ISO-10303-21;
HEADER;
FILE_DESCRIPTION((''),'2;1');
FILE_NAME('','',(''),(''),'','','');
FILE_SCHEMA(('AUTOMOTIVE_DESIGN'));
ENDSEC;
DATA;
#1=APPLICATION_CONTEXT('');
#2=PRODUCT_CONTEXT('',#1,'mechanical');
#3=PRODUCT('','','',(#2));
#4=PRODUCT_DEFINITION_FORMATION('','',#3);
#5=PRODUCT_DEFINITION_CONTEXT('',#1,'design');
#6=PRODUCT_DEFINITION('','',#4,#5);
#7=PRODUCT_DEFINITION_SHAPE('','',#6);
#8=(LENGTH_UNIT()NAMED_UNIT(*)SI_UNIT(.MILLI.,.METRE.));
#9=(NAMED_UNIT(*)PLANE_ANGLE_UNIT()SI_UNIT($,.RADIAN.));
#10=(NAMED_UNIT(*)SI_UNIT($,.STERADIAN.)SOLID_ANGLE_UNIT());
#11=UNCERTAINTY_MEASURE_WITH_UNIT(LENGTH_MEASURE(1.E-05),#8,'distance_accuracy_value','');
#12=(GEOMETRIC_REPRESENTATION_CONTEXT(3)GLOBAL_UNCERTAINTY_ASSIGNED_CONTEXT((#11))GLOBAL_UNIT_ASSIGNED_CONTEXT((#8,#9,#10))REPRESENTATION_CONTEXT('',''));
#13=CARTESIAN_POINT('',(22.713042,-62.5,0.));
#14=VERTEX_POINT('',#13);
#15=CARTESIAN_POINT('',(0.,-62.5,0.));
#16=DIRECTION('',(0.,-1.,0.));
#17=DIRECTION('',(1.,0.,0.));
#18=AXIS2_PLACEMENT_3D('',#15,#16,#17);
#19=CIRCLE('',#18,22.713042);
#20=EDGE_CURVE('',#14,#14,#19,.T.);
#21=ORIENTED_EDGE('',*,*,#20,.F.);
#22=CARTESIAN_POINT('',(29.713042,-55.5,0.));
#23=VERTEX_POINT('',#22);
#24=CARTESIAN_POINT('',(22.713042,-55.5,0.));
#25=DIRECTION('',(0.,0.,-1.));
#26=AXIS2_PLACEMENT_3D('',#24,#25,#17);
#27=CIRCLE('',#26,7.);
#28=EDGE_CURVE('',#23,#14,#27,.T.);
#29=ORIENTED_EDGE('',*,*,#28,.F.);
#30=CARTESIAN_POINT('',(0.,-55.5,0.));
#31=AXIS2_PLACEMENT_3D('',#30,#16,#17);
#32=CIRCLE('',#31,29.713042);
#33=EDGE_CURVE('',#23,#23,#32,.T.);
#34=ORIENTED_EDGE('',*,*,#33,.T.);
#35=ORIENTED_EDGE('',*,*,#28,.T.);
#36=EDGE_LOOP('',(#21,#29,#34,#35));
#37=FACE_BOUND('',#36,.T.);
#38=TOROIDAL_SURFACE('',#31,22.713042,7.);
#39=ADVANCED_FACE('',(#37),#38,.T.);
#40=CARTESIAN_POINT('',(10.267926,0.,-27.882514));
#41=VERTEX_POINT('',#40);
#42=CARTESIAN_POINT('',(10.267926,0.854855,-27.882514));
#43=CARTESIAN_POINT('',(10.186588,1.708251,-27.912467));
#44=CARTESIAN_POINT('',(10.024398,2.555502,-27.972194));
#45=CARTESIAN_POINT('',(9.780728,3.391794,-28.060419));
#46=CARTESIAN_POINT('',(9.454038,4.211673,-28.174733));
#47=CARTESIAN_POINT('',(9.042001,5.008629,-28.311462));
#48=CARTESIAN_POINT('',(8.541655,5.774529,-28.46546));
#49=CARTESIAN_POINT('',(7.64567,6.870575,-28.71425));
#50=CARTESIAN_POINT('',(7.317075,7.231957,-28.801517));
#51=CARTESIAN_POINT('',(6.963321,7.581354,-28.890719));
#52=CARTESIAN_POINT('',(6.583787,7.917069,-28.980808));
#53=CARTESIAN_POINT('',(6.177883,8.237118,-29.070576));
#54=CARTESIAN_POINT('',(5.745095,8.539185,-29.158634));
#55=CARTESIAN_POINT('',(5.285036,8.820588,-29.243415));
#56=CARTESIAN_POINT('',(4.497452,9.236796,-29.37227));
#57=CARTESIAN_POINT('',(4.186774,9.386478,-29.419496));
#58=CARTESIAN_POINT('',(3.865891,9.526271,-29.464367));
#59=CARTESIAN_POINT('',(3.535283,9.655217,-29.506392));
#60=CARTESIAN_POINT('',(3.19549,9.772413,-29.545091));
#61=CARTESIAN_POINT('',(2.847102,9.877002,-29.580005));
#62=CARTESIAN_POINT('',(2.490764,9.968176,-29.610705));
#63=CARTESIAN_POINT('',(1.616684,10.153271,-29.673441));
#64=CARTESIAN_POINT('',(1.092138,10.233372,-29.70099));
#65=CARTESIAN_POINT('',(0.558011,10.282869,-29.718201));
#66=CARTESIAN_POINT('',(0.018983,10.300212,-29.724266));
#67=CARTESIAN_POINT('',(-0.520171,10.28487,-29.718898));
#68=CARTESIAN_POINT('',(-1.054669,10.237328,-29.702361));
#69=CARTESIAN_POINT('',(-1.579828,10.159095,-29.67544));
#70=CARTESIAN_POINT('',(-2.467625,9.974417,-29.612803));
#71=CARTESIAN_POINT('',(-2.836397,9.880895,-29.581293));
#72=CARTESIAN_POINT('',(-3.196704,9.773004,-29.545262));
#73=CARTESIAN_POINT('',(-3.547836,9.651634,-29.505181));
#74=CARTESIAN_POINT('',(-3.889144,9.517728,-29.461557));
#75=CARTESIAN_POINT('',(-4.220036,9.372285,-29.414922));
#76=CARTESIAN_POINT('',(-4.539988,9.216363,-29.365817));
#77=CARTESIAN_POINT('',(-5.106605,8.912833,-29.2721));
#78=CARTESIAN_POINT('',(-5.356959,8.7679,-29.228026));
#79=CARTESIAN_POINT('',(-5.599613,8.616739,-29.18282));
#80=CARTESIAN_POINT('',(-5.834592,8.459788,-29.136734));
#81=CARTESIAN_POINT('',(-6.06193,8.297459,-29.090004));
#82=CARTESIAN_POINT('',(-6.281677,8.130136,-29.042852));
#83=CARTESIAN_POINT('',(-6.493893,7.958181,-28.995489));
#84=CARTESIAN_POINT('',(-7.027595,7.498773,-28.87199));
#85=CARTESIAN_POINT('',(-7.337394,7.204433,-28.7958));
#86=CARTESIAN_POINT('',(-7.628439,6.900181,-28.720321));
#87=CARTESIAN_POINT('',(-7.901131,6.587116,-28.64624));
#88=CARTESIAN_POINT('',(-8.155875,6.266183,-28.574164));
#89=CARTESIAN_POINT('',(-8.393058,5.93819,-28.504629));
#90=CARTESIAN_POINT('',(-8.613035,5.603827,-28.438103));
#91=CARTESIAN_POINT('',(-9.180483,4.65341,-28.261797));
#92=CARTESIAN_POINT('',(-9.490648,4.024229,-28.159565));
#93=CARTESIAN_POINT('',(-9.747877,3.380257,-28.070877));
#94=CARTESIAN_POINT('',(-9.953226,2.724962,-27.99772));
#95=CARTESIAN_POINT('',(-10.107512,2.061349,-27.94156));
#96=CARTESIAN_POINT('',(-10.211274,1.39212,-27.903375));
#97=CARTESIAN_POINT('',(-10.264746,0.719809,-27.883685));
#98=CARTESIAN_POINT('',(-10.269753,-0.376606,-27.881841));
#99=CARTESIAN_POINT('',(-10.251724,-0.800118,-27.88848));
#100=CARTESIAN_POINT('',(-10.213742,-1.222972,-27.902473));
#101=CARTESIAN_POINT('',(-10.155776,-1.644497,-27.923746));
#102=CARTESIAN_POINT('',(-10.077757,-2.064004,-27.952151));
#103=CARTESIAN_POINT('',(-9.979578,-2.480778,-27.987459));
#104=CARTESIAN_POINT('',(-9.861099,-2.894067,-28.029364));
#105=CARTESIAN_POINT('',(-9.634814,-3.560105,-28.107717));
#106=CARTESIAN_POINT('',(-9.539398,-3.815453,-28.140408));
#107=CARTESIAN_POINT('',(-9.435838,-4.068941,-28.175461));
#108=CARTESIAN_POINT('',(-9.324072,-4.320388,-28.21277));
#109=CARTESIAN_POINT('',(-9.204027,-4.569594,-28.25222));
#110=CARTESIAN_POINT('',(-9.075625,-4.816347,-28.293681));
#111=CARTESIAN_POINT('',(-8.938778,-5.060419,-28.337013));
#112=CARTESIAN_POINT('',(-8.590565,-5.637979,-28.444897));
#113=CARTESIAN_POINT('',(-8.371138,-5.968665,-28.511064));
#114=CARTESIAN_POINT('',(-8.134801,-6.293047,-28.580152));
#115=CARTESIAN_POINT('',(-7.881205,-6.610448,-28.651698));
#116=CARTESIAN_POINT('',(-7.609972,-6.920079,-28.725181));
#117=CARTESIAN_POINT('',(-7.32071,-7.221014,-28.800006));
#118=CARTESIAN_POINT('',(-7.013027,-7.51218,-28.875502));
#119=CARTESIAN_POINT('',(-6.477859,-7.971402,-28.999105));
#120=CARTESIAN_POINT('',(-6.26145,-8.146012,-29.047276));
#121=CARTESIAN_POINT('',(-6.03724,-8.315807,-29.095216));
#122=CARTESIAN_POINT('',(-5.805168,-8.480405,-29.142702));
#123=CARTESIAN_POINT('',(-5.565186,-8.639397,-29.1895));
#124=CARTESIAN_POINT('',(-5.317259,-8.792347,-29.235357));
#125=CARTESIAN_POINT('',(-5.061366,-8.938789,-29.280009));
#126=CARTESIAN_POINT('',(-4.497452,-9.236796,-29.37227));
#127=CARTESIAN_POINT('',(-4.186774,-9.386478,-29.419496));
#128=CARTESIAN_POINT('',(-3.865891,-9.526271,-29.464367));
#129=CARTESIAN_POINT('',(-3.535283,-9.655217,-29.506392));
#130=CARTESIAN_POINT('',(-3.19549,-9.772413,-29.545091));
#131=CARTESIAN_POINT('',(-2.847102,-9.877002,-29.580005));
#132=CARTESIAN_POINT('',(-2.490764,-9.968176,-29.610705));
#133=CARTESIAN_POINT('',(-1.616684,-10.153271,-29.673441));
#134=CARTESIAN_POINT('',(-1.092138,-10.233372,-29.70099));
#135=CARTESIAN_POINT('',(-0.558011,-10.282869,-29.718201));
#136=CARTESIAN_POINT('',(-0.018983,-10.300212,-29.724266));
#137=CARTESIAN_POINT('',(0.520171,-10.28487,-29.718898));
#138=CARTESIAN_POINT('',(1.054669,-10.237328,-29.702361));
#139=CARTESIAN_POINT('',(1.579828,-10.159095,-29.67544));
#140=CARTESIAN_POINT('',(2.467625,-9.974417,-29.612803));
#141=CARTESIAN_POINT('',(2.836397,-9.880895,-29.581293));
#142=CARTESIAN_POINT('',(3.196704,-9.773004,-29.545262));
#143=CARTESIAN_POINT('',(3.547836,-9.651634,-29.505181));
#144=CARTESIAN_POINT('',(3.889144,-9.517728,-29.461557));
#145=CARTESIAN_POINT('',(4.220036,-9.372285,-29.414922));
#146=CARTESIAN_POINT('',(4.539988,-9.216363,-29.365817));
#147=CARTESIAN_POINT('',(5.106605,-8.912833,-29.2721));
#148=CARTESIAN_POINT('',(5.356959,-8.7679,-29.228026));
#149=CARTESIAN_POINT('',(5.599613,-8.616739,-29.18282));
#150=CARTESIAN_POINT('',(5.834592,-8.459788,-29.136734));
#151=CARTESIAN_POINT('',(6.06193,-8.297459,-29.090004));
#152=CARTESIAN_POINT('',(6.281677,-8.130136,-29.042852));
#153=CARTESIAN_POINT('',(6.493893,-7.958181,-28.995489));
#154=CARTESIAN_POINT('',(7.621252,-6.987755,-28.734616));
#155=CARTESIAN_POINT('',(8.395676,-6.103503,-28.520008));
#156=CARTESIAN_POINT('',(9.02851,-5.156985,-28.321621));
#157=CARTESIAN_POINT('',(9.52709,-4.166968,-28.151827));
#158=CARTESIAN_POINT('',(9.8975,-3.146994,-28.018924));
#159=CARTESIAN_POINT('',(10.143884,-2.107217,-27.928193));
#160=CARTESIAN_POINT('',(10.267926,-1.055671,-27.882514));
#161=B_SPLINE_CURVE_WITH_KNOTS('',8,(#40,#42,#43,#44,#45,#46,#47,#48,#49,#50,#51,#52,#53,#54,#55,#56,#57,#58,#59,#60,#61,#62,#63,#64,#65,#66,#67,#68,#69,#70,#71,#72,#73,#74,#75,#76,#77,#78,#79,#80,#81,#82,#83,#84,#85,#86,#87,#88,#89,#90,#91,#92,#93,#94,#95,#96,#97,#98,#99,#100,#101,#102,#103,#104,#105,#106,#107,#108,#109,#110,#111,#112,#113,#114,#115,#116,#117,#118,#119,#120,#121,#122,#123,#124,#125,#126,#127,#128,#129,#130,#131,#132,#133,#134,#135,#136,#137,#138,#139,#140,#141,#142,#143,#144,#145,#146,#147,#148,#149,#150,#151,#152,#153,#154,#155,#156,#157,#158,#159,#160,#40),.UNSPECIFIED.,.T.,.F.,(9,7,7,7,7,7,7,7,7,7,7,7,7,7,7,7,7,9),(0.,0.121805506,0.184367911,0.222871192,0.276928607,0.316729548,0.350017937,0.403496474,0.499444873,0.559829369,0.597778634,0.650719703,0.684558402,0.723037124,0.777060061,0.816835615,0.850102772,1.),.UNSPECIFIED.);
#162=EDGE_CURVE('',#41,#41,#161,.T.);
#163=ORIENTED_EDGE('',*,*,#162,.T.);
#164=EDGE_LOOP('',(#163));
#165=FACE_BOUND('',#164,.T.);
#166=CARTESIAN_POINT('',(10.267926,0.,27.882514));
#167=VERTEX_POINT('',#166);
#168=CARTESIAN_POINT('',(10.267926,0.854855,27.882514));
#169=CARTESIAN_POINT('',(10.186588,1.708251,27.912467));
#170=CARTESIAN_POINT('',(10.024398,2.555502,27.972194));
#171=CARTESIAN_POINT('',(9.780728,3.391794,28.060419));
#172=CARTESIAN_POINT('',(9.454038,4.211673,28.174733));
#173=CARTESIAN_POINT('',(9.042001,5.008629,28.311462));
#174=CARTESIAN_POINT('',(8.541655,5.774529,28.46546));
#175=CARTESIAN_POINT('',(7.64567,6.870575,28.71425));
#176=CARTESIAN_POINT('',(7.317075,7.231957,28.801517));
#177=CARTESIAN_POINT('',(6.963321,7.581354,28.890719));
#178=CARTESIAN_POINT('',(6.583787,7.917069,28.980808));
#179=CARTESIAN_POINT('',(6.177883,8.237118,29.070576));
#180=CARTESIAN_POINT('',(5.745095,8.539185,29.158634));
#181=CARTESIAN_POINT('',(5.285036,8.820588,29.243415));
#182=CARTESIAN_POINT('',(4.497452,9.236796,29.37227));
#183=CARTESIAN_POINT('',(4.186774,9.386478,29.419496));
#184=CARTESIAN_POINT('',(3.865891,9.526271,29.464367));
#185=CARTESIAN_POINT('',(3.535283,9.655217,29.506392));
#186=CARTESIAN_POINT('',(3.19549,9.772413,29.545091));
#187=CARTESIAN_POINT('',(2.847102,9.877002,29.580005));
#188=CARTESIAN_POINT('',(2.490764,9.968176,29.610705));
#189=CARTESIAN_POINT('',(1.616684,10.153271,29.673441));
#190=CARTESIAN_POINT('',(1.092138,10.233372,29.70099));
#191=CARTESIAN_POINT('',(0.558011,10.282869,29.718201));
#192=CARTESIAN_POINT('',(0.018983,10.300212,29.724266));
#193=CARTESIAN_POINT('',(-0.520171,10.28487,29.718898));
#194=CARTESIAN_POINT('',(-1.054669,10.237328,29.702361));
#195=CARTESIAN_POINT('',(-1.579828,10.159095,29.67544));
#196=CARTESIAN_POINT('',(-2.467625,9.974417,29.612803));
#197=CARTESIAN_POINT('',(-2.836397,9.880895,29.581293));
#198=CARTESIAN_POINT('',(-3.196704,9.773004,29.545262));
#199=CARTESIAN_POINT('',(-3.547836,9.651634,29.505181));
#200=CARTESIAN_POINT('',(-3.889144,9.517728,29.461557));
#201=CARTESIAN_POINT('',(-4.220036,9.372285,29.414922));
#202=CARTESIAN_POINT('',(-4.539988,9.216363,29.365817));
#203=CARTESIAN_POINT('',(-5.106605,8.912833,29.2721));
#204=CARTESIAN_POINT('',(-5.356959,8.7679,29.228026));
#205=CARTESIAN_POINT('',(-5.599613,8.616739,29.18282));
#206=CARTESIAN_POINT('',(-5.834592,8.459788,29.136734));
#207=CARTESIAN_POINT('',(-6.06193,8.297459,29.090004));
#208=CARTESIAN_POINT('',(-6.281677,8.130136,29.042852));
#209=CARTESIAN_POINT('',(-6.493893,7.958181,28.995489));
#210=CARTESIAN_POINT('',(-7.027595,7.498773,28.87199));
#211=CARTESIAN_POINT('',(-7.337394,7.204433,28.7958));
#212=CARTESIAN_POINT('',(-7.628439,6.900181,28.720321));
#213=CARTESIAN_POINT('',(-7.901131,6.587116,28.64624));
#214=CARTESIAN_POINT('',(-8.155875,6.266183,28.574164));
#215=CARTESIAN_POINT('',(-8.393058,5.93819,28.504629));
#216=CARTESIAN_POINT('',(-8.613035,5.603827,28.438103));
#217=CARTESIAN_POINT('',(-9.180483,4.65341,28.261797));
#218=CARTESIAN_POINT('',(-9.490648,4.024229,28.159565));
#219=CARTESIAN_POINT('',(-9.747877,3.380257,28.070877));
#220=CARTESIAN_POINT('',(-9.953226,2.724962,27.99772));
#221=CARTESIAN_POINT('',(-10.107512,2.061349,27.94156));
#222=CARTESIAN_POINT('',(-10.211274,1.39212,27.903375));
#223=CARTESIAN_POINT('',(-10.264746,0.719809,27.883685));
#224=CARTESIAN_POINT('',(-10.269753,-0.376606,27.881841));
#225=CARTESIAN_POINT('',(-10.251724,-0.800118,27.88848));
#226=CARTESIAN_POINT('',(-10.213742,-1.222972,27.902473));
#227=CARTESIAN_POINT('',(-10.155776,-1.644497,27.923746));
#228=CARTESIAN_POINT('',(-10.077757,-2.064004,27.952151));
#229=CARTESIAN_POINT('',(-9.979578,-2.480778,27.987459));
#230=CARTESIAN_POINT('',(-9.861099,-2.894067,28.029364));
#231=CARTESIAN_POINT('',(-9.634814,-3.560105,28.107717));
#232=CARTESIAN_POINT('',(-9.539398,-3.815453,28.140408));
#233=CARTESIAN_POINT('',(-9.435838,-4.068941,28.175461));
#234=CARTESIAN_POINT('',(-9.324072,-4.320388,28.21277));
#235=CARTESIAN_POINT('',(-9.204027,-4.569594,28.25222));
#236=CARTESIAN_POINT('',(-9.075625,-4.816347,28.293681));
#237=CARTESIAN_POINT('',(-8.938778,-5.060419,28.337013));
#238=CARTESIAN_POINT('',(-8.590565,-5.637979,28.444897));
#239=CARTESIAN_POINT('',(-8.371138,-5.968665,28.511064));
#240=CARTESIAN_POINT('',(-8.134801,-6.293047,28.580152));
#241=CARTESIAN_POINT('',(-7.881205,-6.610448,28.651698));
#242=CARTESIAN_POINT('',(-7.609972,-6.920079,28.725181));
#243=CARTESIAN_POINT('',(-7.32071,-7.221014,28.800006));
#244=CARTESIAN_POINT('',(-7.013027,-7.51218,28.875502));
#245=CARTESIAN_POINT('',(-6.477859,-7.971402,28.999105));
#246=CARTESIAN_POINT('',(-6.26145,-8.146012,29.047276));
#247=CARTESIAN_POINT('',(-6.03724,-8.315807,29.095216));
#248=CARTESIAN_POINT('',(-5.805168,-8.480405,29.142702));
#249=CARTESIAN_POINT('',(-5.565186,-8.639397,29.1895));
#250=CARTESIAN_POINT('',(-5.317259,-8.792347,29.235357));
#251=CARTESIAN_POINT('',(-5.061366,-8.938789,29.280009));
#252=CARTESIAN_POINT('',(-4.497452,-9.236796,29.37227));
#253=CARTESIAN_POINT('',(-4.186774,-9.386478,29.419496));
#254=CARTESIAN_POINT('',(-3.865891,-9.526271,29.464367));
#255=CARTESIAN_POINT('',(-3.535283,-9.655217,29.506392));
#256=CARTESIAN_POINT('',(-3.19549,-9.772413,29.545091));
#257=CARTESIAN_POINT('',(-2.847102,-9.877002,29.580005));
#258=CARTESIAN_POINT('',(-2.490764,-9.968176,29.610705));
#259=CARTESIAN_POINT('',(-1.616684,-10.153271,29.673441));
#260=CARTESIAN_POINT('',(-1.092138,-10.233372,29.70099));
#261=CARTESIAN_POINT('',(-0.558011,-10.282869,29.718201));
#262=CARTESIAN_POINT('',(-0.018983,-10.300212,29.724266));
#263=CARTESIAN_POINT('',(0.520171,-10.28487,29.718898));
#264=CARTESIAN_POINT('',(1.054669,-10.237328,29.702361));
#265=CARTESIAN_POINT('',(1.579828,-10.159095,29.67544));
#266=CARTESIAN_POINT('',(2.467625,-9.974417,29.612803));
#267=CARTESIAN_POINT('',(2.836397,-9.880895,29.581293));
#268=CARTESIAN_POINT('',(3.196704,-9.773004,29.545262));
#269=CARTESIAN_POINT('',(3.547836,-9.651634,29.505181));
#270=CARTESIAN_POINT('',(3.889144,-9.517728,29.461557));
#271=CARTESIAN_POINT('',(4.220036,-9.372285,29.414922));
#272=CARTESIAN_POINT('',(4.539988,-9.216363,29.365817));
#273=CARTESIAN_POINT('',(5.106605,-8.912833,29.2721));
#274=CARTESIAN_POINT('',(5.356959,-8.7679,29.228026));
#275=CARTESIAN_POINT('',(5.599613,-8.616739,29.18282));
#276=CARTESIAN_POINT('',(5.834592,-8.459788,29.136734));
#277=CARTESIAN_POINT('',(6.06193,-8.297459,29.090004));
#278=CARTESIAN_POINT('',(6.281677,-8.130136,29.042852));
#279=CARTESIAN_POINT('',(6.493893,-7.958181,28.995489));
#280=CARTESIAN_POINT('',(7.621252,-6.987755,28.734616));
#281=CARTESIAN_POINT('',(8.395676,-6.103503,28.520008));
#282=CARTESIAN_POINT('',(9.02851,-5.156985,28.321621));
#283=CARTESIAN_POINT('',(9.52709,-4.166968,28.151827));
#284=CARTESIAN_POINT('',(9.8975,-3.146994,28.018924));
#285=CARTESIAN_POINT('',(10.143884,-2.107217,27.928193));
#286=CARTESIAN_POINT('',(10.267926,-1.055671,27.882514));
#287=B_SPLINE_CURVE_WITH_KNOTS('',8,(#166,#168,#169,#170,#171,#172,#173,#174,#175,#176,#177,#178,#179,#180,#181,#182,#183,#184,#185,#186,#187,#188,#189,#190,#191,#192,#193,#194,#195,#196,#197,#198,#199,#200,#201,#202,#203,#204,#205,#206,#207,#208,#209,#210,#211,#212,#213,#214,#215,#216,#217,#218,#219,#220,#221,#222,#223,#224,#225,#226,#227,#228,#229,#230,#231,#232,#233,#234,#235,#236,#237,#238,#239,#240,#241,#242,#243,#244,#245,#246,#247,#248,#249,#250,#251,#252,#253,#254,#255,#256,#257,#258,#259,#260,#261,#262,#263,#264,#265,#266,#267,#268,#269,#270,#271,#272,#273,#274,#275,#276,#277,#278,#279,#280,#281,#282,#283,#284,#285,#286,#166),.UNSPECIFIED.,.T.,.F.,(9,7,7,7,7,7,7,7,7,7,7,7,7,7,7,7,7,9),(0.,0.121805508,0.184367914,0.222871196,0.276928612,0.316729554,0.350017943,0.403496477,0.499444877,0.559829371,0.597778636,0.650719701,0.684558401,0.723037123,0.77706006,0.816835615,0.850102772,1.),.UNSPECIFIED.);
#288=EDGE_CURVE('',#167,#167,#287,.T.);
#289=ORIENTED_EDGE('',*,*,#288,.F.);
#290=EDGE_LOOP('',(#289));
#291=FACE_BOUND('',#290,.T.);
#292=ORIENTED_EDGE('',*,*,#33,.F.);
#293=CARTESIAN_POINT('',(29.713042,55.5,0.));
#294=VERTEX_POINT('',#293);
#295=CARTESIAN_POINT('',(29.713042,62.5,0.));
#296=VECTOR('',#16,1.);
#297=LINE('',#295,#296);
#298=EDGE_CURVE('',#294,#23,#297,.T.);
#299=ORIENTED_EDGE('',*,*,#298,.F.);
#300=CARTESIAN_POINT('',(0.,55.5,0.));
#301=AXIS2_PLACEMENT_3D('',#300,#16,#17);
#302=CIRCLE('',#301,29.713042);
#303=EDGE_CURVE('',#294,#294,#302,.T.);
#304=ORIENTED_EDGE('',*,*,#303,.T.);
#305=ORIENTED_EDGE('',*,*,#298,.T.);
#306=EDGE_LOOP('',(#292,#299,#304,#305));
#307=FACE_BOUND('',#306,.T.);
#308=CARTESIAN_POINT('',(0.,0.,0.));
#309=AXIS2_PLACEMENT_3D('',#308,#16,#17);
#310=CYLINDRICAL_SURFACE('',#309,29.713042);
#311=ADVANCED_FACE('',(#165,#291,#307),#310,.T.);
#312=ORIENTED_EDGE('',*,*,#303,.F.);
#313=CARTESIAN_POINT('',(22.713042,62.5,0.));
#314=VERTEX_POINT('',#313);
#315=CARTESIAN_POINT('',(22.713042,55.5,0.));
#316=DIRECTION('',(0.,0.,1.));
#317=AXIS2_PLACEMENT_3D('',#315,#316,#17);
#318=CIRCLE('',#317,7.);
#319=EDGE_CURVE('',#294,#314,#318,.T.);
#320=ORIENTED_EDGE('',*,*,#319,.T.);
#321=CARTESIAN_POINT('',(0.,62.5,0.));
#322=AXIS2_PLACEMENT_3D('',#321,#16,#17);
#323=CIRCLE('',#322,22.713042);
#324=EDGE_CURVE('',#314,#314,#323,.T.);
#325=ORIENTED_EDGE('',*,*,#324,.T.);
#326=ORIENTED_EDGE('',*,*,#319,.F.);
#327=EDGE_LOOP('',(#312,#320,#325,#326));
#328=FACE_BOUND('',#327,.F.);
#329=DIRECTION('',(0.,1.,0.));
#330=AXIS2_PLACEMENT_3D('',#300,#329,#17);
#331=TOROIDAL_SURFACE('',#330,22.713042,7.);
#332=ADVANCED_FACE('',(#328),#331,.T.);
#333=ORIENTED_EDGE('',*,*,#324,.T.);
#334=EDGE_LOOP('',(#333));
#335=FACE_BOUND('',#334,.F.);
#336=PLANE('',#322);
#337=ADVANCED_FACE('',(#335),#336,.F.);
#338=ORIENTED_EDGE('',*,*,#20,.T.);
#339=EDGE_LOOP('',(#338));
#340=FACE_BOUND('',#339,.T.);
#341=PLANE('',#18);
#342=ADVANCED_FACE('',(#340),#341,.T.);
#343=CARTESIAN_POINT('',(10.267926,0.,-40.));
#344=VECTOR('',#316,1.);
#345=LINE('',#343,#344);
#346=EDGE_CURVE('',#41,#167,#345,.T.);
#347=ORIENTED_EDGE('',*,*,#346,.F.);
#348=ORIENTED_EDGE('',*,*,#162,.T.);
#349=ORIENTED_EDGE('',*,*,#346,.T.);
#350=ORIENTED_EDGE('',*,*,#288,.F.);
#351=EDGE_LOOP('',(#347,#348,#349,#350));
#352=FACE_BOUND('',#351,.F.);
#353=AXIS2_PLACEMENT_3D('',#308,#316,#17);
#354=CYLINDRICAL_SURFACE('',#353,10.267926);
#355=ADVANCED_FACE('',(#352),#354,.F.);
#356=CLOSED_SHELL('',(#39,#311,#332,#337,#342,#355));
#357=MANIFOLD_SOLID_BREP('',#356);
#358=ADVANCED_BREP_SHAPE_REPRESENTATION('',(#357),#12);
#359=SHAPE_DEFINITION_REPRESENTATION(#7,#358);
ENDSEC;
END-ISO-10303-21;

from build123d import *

# Parameters (mm, degrees)
F0_R     = 29.713042
F1_DEPTH = 62.5
F2_R     = 10.267926
F3_DEPTH = 40
F4_R     = 7


with BuildPart() as f1:
    # F0 (on Front) → F1 (new body, symmetric)
    with BuildSketch(Plane.XZ):
        Circle(F0_R)
    extrude(amount=F1_DEPTH, both=True)

    # F2 (on Top) → F3 (cut, symmetric)
    with BuildSketch(Plane.XY):
        Circle(F2_R)
    extrude(amount=F3_DEPTH, both=True, mode=Mode.SUBTRACT)

    # F4
    f4_edges = [f1.edges().sort_by_distance(p)[0] for p in [
        (-29.713042, -62.5, 0),
        (-29.713042, 62.5, 0),
    ]]
    fillet(f4_edges, radius=F4_R)


solid = f1.part
